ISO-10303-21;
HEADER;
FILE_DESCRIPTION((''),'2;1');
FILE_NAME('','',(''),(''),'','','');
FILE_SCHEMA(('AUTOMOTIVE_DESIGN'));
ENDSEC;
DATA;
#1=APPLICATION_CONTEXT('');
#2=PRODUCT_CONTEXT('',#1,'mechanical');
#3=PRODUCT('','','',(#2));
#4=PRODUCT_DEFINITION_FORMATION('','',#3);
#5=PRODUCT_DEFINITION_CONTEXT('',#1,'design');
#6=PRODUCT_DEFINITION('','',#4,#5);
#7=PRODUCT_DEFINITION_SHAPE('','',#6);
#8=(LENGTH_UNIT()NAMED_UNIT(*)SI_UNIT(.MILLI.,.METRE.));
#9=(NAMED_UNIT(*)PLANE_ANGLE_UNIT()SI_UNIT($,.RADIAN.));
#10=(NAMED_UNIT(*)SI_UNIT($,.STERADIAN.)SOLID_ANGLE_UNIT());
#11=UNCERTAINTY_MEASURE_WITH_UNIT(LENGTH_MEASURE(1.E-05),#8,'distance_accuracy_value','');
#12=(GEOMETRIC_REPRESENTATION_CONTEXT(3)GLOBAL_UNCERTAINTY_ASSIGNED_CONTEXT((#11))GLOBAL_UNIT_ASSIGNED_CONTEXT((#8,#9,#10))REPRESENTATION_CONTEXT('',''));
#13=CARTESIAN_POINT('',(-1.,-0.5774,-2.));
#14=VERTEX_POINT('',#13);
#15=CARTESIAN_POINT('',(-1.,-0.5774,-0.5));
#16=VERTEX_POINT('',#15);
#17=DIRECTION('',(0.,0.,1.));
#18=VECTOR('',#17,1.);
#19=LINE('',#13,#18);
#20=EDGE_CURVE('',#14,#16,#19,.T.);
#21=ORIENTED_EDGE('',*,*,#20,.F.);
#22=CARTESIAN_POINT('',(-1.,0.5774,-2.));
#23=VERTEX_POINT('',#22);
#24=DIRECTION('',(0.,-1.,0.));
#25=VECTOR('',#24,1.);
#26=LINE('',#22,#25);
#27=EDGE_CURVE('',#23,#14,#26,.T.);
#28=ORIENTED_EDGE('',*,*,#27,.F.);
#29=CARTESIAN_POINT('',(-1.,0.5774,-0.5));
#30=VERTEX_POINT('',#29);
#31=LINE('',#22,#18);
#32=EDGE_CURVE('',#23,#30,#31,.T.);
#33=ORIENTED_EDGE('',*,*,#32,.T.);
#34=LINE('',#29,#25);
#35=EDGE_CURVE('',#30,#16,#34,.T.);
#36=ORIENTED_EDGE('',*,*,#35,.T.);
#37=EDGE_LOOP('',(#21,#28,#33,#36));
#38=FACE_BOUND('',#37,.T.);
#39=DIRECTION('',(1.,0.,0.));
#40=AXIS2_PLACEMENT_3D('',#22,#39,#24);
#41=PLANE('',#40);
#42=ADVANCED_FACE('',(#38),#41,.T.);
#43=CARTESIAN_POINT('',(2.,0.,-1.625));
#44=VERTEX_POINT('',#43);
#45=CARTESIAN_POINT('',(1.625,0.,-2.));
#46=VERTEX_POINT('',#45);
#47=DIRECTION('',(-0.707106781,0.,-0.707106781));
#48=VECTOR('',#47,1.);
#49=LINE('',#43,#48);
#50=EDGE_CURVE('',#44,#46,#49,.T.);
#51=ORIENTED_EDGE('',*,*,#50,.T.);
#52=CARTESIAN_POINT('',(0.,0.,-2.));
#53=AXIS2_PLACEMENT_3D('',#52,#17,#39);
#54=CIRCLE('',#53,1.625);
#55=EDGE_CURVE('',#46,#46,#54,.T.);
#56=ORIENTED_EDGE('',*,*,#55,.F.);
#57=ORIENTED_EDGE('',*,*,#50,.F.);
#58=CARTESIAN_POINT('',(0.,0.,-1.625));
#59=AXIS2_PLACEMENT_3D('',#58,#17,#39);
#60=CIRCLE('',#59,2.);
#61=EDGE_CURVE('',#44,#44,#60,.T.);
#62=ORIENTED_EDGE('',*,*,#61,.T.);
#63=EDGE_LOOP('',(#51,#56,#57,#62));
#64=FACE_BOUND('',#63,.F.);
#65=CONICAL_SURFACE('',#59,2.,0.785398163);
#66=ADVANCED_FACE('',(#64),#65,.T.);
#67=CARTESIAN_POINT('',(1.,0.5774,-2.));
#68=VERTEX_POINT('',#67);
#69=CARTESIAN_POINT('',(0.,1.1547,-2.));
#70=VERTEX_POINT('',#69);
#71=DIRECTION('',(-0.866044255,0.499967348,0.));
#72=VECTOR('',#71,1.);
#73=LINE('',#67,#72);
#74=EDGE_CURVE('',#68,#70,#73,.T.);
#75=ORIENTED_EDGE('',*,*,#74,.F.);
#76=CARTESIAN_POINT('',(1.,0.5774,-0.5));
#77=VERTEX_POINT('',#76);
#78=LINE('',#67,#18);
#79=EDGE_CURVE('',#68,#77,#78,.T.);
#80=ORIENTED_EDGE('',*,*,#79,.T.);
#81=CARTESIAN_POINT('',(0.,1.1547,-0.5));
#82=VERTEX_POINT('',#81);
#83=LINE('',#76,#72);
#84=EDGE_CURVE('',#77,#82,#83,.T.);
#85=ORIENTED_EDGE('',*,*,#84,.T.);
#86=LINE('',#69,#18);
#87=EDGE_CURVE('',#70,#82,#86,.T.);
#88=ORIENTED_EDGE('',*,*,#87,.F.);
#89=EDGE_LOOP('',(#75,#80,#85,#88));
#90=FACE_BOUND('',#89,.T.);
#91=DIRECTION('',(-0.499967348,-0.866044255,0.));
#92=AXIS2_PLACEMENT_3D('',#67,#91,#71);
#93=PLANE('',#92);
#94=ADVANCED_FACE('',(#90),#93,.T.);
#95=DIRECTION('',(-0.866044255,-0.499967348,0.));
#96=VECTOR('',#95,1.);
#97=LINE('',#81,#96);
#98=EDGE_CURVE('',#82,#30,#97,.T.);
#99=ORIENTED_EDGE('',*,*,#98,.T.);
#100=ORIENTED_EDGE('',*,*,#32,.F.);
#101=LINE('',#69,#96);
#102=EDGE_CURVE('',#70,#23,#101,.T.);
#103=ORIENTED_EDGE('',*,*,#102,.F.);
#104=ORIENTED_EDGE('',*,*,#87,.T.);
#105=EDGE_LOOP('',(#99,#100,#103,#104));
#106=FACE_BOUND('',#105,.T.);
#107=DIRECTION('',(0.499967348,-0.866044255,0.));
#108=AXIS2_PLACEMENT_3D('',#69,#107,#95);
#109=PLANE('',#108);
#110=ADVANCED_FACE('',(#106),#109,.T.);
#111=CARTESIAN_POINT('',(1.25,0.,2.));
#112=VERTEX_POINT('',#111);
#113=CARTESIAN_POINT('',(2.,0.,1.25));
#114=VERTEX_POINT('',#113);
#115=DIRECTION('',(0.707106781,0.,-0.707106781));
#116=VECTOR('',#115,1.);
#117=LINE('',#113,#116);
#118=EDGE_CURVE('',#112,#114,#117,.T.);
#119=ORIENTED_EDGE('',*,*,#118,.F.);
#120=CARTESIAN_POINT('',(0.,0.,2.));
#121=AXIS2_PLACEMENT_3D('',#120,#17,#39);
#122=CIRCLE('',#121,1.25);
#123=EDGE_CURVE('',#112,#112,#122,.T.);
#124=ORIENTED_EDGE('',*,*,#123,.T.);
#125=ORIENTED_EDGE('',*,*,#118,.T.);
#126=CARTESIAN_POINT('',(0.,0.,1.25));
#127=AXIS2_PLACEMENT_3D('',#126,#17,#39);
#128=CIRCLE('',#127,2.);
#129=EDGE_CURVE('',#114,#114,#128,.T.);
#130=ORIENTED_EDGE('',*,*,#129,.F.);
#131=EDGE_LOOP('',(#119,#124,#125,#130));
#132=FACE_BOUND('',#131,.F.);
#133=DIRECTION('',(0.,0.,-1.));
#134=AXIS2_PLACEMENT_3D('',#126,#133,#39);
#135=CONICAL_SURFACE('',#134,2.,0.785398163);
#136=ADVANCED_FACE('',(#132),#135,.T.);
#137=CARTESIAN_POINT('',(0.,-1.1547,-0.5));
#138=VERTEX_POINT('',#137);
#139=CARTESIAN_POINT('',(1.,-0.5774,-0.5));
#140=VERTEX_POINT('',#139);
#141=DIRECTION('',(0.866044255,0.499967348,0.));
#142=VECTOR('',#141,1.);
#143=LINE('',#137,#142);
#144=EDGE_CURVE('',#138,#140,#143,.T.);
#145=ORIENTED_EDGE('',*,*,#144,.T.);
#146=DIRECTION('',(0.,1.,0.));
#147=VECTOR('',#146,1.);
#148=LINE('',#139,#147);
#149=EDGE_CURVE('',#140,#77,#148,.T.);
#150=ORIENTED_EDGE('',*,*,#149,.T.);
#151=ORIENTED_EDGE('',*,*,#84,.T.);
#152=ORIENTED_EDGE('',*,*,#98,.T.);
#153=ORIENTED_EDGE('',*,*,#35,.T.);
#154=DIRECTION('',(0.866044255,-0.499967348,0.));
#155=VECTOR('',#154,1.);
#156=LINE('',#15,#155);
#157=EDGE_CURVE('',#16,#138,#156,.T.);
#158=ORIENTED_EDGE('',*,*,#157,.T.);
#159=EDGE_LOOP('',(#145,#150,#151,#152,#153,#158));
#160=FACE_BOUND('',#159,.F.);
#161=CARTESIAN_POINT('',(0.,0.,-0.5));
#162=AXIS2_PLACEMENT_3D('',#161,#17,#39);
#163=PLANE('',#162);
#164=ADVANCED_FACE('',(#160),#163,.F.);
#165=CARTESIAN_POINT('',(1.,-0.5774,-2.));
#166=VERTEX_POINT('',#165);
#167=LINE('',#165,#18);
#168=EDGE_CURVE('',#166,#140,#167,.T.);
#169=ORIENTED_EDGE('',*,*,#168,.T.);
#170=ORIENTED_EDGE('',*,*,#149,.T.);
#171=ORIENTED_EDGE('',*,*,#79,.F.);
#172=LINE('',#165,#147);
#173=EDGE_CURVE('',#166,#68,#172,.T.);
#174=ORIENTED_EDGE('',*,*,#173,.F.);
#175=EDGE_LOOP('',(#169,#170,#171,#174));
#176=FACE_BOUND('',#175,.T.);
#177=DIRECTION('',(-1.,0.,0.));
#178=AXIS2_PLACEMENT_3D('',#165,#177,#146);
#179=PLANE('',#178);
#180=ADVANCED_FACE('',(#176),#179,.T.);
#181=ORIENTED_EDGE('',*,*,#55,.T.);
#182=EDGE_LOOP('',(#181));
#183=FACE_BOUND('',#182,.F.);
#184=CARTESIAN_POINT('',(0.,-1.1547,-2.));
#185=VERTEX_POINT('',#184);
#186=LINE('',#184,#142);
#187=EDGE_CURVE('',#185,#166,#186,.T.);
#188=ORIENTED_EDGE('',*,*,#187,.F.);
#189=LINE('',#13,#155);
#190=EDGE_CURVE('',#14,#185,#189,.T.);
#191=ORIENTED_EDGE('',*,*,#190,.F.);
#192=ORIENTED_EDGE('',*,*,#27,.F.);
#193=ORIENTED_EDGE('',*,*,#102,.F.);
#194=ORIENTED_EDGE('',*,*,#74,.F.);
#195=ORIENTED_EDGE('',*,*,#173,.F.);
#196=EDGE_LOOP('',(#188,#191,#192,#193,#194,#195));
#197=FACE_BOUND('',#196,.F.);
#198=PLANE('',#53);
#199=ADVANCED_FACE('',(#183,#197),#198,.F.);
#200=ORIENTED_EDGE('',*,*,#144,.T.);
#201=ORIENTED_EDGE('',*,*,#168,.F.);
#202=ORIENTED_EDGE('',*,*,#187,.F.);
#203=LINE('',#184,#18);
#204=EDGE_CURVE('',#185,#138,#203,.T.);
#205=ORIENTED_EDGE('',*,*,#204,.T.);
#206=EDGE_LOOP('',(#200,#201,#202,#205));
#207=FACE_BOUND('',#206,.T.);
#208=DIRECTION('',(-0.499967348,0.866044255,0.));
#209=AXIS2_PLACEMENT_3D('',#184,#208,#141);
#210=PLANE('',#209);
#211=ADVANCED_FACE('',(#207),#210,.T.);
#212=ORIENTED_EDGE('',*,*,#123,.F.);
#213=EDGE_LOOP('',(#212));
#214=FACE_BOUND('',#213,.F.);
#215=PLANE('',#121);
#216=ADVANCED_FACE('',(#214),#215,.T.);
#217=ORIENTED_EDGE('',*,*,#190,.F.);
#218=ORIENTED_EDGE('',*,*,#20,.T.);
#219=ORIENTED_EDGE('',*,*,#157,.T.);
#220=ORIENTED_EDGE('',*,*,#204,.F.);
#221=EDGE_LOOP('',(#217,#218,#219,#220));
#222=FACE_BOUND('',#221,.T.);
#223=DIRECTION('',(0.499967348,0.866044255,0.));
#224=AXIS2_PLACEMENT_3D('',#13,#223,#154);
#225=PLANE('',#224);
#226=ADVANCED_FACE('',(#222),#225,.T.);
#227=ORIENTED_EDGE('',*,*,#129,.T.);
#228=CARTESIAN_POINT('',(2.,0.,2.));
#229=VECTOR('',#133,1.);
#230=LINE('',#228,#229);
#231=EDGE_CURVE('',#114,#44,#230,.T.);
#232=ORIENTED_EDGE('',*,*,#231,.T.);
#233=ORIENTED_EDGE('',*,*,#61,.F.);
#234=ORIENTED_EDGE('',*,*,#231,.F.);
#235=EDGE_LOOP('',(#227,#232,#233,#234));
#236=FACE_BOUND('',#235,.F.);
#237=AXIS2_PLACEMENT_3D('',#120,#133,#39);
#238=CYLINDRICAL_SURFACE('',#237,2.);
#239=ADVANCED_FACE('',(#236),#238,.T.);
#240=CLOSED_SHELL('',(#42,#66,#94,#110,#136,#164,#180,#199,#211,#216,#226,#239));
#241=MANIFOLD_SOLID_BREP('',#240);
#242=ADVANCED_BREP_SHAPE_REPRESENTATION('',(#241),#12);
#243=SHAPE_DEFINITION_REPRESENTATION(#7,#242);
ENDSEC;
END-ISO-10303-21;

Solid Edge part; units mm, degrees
sketch "Sketch1" plane through (0, 0, 0) normal (0, -1, 0) x (1, 0, 0)
  line L0 (0, 2) -> (2, 2)
  line L1 (2, 2) -> (2, -2)
  line L2 (2, -2) -> (0, -2)
  dimension "D1" = 4
revolve "RevolvedProtrusion1" add sketch "Sketch1" angle 360 about axis through (0, 0, -2) along (0, 0, 1)
chamfer "Chamfer1" distance 0.75 angle 45 1 edges at (-2, 0, 2)
chamfer "Chamfer_2" distance 0.375 angle 45 1 edges at (-2, 0, -2)
cosmetic_thread "Thread1" size "M4"
sketch "Sketch2" plane through (0, 0, -2) normal (0, 0, -1) x (-1, 0, 0)
  line L0 (1, 0.5774) -> (1, -0.5774)
  line L1 (1, -0.5774) -> (0, -1.1547)
  line L2 (0, -1.1547) -> (-1, -0.5774)
  line L3 (-1, -0.5774) -> (-1, 0.5774)
  line L4 (-1, 0.5774) -> (0, 1.1547)
  line L5 (0, 1.1547) -> (1, 0.5774)
  dimension "D1" = 2
extrude "ExtrudedCutout_1" cut sketch "Sketch2" against normal blind 1.5
properties material "Stainless steel"
